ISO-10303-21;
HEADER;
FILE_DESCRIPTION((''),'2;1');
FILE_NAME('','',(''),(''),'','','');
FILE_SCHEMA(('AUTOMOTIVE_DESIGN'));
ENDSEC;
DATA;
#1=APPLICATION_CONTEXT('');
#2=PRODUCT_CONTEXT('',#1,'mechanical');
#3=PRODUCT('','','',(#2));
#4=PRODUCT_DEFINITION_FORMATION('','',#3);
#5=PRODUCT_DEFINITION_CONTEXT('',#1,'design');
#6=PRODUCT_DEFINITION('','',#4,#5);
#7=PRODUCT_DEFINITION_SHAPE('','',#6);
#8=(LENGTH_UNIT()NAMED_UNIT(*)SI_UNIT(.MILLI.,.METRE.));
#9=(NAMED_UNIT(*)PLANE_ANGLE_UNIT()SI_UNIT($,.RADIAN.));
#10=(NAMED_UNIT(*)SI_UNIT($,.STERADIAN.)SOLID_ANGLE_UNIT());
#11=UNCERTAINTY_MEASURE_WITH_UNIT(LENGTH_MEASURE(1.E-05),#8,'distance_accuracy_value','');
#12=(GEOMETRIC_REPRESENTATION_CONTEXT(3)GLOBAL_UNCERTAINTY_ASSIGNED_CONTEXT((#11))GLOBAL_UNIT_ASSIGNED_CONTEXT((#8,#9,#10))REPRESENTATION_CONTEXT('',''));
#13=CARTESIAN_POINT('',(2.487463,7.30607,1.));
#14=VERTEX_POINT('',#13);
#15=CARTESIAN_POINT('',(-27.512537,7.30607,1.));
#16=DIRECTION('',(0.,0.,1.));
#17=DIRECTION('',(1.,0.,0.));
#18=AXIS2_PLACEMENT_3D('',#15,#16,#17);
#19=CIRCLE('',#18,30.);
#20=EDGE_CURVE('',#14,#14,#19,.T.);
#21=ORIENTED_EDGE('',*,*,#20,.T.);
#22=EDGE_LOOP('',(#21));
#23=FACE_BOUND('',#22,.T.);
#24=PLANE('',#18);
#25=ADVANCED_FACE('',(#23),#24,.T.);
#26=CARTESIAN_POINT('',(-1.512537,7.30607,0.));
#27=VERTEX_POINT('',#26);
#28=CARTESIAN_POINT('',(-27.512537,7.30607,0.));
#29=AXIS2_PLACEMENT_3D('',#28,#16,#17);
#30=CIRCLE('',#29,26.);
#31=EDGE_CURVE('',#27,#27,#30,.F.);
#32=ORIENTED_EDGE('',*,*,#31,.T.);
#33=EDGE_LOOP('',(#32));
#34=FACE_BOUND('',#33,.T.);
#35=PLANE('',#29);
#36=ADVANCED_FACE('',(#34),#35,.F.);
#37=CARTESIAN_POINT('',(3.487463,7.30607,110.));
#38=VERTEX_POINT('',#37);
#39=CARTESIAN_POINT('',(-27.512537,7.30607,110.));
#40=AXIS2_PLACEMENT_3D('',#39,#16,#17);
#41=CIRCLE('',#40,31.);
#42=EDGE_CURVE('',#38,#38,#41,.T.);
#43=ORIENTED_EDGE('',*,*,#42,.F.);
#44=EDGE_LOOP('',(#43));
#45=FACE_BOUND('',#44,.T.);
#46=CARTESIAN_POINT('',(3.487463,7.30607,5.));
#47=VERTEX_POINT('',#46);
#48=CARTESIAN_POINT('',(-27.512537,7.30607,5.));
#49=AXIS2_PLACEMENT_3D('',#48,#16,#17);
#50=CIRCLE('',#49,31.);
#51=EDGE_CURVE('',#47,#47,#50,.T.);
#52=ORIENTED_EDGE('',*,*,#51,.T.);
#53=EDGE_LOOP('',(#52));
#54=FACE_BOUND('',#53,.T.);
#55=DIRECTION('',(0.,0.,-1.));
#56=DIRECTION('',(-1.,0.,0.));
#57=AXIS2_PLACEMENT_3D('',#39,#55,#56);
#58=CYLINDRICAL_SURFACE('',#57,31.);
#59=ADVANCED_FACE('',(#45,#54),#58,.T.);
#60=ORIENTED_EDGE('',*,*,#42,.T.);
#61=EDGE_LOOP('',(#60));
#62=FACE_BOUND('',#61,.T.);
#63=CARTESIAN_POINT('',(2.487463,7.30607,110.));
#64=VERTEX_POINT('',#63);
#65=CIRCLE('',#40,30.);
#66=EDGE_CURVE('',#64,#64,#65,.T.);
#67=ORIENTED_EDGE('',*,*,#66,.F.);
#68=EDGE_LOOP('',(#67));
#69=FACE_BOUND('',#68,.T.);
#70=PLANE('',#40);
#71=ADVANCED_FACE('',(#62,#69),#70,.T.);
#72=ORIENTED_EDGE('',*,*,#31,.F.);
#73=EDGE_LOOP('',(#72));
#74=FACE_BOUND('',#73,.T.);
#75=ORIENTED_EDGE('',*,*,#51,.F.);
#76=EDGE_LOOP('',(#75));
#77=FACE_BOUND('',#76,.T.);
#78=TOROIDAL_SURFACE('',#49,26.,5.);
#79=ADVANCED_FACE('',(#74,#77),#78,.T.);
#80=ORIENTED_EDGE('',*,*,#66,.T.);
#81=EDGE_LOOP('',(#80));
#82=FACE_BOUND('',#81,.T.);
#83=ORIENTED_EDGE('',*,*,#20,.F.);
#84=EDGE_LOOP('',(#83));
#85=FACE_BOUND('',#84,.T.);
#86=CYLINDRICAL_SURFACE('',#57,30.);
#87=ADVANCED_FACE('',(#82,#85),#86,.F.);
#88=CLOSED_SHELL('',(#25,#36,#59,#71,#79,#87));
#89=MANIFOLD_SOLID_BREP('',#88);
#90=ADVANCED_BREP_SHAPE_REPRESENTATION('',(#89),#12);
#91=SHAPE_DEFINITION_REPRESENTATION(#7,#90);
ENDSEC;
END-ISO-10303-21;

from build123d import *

# Parameters (mm, degrees)
SKETCH1_R           = 31
BOSS_EXTRUDE1_DEPTH = 110
SHELL1_T            = -1
FILLET2_R           = 5


with BuildPart() as part:
    # Sketch1 → Boss-Extrude1 (new body)
    with BuildSketch(Plane.XY):
        with Locations((-27.512537488, 7.30607002)):
            Circle(SKETCH1_R)
    extrude(amount=BOSS_EXTRUDE1_DEPTH)

    # Shell1
    shell1_openings = [part.faces().sort_by_distance(p)[0] for p in [
        (3.487462512, 7.30607002, 110),
    ]]
    offset(amount=SHELL1_T, openings=shell1_openings, kind=Kind.INTERSECTION)

    # Fillet2
    fillet2_edges = [part.edges().sort_by_distance(p)[0] for p in [
        (-58.512537488, 7.30607002, 0),
    ]]
    fillet(fillet2_edges, radius=FILLET2_R)


solid = part.part
